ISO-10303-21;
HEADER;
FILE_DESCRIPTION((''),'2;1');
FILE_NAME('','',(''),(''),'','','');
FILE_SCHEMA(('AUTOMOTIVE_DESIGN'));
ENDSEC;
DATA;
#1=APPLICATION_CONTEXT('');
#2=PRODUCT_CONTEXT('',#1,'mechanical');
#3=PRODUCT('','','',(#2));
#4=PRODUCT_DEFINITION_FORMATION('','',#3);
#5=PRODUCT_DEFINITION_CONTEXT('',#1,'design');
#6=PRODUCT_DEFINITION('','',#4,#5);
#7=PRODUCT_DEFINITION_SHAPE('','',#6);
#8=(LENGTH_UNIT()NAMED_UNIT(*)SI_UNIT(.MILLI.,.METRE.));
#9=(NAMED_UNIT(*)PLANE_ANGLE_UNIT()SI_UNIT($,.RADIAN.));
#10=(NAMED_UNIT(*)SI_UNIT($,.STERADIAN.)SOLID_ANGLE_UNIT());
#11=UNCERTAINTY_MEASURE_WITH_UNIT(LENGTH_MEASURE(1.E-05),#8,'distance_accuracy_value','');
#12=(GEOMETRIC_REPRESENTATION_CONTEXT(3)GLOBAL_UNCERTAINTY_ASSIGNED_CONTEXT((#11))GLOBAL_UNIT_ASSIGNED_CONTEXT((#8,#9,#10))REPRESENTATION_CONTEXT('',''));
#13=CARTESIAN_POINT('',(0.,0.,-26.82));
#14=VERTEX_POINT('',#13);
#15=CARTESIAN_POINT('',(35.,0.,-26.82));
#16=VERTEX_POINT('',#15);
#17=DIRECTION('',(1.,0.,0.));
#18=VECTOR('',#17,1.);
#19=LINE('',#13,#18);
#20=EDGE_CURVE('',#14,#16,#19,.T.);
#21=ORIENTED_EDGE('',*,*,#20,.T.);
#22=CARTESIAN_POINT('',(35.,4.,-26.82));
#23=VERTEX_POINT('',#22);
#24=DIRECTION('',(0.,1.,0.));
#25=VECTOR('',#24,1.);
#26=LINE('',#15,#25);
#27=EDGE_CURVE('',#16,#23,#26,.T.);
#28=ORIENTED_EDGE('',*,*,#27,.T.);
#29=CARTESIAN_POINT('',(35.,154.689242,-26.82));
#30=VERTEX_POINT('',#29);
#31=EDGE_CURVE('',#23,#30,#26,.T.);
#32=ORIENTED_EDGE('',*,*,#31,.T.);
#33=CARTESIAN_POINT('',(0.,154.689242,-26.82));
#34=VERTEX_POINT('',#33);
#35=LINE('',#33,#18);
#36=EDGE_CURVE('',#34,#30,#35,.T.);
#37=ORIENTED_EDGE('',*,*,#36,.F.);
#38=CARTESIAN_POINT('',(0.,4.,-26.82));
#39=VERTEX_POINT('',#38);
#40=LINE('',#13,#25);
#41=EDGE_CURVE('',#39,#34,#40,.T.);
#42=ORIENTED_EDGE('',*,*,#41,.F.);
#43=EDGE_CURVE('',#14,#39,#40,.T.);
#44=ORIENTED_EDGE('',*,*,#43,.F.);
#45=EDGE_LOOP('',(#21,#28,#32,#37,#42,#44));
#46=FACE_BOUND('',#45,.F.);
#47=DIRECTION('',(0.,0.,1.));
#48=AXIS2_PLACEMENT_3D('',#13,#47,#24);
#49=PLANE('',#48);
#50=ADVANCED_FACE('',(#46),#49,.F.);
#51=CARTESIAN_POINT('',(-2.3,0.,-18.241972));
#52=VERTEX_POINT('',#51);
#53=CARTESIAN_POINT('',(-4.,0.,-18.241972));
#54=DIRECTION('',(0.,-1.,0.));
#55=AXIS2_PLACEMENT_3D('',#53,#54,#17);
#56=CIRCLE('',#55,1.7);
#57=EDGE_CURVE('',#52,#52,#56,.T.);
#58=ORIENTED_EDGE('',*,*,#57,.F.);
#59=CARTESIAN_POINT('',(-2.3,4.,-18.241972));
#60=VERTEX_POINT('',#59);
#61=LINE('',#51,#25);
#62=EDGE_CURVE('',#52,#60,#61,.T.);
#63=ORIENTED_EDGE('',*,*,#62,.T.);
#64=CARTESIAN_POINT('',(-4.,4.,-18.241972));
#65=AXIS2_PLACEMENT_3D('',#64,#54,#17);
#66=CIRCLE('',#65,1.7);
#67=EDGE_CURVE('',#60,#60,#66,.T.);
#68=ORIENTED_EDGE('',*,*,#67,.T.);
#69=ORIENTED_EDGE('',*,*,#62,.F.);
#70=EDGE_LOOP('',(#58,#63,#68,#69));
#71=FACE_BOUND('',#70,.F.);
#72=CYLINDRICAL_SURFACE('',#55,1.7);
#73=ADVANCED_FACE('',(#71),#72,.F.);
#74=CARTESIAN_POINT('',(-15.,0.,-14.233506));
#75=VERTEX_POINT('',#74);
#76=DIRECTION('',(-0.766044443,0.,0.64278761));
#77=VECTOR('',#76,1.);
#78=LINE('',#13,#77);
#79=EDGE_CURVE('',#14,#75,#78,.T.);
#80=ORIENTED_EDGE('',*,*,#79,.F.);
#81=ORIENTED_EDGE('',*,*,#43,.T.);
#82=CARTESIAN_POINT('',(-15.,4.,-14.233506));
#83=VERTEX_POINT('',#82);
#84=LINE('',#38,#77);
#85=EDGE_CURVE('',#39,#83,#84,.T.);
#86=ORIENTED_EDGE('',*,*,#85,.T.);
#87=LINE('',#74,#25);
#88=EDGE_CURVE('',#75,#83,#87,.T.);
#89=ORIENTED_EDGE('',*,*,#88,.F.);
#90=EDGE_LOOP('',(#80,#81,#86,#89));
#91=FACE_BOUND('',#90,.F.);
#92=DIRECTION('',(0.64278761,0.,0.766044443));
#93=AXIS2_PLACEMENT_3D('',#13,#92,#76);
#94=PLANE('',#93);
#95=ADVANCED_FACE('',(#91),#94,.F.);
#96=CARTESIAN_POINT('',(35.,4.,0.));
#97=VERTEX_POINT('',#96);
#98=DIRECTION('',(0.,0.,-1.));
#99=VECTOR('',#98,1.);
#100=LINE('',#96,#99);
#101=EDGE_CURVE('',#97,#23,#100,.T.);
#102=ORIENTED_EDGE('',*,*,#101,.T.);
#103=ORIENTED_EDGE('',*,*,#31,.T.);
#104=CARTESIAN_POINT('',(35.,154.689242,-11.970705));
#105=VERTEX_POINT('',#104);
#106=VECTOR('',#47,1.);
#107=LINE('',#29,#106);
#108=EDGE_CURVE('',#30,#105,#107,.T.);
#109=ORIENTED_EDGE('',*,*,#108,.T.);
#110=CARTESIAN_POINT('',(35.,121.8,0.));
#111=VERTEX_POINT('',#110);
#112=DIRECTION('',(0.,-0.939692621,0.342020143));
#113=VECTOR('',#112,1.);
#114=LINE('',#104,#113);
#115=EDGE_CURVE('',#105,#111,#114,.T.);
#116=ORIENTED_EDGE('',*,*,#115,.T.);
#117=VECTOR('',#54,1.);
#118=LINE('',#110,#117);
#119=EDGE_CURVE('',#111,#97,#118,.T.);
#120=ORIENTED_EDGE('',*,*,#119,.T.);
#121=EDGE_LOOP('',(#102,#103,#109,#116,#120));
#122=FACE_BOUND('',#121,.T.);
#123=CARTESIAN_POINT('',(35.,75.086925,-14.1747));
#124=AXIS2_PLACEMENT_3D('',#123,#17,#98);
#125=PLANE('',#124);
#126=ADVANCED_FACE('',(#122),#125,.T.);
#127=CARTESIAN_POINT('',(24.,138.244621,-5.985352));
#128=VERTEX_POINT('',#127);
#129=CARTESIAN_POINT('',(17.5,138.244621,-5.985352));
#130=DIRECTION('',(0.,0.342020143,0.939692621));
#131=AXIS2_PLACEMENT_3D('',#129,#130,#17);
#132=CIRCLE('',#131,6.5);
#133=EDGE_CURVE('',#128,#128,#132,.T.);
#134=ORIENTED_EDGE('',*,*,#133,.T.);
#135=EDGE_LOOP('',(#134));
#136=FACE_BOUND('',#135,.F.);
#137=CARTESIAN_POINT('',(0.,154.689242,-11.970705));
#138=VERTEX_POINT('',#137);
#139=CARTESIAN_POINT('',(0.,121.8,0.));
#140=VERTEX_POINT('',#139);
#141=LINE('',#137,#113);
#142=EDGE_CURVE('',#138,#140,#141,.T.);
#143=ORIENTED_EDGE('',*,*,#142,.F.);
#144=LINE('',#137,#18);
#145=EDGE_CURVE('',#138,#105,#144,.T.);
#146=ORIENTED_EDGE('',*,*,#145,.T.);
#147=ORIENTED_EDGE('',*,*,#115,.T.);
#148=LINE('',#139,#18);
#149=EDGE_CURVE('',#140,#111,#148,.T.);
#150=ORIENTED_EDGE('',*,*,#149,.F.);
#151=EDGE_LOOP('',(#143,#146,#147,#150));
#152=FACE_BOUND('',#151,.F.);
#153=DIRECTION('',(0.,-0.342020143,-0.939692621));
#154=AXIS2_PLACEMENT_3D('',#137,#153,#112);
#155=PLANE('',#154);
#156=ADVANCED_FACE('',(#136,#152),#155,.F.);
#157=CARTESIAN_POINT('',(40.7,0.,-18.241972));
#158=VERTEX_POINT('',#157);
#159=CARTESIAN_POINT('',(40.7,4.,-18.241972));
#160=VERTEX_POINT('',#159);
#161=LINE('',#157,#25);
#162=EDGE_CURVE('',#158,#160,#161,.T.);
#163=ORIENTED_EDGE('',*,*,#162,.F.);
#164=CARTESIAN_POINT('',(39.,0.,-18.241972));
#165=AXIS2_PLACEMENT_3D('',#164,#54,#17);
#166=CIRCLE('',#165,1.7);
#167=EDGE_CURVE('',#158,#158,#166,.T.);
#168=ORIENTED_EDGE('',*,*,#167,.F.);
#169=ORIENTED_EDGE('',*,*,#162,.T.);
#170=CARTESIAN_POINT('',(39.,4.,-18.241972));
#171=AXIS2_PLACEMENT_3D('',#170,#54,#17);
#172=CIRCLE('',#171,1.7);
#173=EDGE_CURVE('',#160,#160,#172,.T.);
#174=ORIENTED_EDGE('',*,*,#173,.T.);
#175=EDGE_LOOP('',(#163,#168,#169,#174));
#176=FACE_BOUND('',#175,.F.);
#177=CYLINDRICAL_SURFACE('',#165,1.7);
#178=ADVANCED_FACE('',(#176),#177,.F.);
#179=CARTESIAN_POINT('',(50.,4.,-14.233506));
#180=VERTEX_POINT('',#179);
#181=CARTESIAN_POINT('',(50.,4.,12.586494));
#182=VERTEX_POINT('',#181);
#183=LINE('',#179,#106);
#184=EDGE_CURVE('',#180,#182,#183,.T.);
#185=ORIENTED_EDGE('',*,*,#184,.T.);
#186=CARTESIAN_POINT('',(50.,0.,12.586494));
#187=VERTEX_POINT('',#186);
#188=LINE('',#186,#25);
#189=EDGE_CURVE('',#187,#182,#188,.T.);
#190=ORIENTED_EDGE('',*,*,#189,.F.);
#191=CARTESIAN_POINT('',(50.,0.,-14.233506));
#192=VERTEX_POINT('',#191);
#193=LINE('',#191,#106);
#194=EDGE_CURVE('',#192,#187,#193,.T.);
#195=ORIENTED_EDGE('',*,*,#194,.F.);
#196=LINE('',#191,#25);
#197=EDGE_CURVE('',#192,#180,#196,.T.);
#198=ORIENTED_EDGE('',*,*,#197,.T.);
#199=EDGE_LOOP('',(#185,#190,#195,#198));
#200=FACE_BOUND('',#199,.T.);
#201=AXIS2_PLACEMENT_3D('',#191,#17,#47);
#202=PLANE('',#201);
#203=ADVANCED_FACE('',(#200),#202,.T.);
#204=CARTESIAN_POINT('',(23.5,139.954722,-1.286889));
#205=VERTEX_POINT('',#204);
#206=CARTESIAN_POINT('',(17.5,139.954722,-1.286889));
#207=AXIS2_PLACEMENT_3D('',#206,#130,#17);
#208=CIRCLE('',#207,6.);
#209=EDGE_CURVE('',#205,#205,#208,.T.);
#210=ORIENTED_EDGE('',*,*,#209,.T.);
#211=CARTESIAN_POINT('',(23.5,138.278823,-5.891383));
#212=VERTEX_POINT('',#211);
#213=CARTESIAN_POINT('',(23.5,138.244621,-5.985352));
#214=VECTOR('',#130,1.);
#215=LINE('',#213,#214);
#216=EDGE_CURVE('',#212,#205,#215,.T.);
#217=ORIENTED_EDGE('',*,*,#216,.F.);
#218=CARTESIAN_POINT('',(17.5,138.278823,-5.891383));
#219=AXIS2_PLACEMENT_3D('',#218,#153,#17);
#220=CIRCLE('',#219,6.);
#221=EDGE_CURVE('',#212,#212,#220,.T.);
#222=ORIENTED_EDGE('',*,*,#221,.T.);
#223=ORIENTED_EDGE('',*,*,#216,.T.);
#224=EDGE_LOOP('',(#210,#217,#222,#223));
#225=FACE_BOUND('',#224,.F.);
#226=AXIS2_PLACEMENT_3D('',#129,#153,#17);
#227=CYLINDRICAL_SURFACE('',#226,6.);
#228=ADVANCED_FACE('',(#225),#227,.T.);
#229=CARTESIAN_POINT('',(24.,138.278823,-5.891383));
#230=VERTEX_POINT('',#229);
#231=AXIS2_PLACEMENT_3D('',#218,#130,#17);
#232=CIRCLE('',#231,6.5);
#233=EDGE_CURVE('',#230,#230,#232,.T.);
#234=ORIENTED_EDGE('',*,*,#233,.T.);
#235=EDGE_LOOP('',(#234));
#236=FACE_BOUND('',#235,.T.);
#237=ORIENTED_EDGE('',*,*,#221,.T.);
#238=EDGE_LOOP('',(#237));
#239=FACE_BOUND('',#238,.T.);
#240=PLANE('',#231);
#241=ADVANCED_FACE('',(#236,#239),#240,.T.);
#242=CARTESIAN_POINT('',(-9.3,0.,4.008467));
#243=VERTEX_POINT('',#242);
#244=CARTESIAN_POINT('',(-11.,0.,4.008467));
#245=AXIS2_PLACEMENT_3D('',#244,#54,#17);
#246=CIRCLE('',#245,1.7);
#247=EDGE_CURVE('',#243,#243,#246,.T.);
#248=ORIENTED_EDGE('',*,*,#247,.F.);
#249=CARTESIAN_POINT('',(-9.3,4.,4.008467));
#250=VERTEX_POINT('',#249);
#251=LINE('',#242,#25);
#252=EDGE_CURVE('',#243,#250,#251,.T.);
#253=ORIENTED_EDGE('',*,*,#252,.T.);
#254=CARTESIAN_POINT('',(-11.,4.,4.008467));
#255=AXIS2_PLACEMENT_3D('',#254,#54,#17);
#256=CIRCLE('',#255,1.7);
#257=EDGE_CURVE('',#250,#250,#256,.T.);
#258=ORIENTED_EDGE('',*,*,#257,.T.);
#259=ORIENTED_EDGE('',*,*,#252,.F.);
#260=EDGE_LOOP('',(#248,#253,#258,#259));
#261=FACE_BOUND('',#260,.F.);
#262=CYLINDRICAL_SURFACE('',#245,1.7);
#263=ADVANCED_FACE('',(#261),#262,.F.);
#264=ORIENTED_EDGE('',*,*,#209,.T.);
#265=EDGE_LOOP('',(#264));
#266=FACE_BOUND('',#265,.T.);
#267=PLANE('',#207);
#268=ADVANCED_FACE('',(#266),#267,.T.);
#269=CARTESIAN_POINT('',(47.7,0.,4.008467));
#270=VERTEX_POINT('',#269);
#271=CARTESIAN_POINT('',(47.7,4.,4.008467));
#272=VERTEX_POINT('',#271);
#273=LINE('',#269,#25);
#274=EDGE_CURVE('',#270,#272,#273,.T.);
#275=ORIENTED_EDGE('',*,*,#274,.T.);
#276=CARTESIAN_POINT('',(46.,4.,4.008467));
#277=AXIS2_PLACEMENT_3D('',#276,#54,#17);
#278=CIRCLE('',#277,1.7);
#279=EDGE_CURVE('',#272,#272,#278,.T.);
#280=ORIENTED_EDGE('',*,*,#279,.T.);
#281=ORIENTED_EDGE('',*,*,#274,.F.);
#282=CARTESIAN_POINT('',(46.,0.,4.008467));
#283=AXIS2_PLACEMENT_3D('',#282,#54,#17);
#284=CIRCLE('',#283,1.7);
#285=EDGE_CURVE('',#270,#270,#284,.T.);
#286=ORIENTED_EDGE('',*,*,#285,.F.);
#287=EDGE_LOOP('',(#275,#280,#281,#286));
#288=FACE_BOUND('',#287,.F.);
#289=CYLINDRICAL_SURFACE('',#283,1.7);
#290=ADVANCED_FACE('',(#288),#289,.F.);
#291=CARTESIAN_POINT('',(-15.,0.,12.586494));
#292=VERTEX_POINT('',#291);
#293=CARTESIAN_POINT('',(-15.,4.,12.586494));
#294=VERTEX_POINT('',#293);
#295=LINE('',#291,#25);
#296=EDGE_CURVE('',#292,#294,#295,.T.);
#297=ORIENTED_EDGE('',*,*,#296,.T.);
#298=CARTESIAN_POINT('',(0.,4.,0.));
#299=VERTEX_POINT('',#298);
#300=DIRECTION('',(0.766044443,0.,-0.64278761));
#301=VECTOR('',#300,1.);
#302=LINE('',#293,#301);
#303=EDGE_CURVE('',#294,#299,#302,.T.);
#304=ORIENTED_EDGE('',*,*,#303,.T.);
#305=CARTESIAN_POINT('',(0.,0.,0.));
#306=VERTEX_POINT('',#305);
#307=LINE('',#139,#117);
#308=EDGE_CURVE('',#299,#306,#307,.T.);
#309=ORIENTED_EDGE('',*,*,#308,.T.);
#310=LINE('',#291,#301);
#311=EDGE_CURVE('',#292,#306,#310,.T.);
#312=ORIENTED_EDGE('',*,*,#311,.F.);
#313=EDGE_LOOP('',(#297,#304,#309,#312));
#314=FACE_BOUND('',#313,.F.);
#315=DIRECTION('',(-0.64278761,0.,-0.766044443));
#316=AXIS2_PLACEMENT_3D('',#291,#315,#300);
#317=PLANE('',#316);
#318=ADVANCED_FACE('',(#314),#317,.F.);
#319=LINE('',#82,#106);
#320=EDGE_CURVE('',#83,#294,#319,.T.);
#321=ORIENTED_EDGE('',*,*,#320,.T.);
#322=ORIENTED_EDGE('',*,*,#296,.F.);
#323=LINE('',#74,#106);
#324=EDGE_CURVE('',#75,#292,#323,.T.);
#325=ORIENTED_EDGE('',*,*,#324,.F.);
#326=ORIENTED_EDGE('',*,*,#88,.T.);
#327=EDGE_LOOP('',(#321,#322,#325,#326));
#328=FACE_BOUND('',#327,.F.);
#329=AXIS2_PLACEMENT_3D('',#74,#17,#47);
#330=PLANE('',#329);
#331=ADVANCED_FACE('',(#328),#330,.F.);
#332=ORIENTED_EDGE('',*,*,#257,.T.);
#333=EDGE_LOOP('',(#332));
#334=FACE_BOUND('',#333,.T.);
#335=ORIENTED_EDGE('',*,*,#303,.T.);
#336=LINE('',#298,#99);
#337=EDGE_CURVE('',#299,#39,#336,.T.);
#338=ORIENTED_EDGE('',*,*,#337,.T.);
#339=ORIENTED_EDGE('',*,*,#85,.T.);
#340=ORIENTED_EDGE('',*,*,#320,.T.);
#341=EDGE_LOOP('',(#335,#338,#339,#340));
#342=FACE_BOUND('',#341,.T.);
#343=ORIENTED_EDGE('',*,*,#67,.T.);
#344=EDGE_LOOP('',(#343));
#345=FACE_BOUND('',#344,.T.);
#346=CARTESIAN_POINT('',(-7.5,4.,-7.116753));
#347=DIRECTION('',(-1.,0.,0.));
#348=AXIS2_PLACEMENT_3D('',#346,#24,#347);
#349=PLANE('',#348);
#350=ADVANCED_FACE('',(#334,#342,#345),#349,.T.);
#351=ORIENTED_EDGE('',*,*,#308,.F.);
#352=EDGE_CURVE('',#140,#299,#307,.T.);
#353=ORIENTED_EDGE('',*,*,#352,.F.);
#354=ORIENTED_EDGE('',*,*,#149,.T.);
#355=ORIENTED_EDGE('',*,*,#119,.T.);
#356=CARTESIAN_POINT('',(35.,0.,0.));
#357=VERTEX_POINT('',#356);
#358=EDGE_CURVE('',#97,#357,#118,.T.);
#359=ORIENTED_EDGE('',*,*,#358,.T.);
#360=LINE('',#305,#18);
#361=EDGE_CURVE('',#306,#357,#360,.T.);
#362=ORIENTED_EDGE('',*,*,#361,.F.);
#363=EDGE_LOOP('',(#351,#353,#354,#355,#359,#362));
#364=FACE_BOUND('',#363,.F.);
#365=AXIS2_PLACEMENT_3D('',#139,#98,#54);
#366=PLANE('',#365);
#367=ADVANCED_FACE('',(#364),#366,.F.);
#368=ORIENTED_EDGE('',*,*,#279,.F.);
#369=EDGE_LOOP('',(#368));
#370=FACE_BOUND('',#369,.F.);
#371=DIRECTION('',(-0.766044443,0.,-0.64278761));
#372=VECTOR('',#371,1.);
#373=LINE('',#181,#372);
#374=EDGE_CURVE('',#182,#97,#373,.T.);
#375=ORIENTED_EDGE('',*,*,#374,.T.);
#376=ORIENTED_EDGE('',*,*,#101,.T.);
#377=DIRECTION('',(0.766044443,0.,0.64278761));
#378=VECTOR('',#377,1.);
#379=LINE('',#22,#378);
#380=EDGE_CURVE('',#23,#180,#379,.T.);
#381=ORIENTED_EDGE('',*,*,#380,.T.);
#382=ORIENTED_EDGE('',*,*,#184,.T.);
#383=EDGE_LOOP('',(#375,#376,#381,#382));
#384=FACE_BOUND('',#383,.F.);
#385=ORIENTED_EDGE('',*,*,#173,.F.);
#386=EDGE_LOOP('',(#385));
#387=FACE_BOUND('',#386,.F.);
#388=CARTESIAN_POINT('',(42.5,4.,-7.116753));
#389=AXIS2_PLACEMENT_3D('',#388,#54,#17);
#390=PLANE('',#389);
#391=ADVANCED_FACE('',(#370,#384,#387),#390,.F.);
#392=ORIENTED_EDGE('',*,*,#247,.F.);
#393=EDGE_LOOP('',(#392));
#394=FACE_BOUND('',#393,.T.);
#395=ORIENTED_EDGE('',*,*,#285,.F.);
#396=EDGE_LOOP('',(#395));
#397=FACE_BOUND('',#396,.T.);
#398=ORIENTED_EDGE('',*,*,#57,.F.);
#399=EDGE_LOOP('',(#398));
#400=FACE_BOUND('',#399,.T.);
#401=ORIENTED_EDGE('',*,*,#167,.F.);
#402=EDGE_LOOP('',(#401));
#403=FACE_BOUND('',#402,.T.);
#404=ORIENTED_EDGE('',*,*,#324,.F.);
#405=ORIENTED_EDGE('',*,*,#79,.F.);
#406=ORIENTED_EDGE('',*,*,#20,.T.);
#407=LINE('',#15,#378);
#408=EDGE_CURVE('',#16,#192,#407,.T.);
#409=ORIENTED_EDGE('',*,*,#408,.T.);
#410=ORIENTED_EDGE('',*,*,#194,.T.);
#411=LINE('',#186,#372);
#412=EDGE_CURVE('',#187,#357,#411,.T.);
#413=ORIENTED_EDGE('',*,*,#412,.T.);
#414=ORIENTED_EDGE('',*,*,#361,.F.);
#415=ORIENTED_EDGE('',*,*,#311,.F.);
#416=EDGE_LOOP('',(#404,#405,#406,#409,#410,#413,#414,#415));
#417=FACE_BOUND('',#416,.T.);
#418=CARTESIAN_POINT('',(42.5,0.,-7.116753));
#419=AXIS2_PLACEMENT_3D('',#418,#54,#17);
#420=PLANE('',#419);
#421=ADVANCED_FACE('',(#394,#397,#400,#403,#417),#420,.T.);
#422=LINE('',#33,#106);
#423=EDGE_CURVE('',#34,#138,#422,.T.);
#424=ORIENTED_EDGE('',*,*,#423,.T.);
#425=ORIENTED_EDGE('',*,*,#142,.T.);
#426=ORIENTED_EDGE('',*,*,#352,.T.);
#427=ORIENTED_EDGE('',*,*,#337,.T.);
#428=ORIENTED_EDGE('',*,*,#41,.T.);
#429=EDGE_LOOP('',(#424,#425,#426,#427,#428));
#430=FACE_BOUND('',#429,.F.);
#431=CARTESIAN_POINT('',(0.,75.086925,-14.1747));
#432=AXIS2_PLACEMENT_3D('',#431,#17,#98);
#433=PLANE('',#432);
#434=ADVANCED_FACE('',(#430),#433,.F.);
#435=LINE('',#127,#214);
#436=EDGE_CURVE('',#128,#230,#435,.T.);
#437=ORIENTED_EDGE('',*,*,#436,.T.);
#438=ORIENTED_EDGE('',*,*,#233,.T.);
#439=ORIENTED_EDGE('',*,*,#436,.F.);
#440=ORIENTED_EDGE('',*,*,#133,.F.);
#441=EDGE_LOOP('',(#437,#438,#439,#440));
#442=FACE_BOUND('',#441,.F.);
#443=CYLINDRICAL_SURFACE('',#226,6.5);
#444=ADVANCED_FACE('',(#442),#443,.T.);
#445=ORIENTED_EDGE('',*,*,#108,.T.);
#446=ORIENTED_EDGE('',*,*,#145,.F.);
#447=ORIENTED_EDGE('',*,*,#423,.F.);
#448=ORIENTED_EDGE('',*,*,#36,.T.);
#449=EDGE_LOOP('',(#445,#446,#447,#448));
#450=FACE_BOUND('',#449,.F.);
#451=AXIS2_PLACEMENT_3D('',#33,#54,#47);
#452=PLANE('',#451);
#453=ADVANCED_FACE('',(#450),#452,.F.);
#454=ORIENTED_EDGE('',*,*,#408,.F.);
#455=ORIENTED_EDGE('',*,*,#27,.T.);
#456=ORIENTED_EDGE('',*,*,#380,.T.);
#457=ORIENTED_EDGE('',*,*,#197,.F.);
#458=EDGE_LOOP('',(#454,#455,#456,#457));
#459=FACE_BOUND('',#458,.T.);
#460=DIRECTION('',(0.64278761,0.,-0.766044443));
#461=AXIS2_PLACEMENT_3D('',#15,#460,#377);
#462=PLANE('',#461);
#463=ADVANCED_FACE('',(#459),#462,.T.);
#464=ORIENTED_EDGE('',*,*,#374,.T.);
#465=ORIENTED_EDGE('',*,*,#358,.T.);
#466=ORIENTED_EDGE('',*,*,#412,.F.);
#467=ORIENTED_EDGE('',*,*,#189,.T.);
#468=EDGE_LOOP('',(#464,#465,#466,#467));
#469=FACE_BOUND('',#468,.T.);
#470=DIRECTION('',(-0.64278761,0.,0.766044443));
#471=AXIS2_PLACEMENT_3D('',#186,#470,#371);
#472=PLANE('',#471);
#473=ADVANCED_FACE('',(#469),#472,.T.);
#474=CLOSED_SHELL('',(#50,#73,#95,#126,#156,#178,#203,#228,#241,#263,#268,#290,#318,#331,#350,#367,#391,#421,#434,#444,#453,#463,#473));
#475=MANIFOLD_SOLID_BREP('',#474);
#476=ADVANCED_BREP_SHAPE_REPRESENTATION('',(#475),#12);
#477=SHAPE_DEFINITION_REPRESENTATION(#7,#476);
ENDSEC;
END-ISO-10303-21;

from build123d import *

# Parameters (mm, degrees)
AUFSATZ_LINEAR_AUSTRAGEN1_DEPTH = 35
SKIZZE3_R                       = 6
AUFSATZ_LINEAR_AUSTRAGEN2_DEPTH = 5
SKIZZE4_R                       = 6.5
AUFSATZ_LINEAR_AUSTRAGEN3_DEPTH = 0.1
SKIZZE9_R                       = 1.7
AUFSATZ_LINEAR_AUSTRAGEN4_DEPTH = 4


with BuildPart() as part:
    # Skizze1 → Aufsatz-Linear austragen1 (new body)
    with BuildSketch(Plane(origin=(0, 0, 0), x_dir=(0, 0, -1), z_dir=(1, 0, 0))):
        Polygon((0, 0), (11.970705016, 0), (26.82, 0), (26.82, 154.689241728), (11.970705016, 154.689241728), (0, 121.8), align=None)
    extrude(amount=AUFSATZ_LINEAR_AUSTRAGEN1_DEPTH)

    # Skizze3 → Aufsatz-Linear austragen2 (add)
    with BuildSketch(Plane(origin=(0, 14.247893414, 39.14576543), x_dir=(1, 0, 0), z_dir=(0, 0.342020143, 0.939692621))):
        with Locations((17.5, 131.954561212)):
            Circle(SKIZZE3_R)
    extrude(amount=AUFSATZ_LINEAR_AUSTRAGEN2_DEPTH)

    # Skizze4 → Aufsatz-Linear austragen3 (add)
    with BuildSketch(Plane(origin=(0, 14.247893414, 39.14576543), x_dir=(1, 0, 0), z_dir=(0, 0.342020143, 0.939692621))):
        with Locations((17.5, 131.954561212)):
            Circle(SKIZZE4_R)
    extrude(amount=AUFSATZ_LINEAR_AUSTRAGEN3_DEPTH)

    # Skizze9 → Aufsatz-Linear austragen4 (add)
    with BuildSketch(Plane.XZ):
        Polygon((35, -26.82), (50, -14.233505532), (50, 12.586494468), (35, 0), align=None)
        with Locations((46, 4.008466786)):
            Circle(SKIZZE9_R, mode=Mode.SUBTRACT)
        with Locations((39, -18.241972318)):
            Circle(SKIZZE9_R, mode=Mode.SUBTRACT)
        Polygon((0, 0), (0, -26.82), (-15, -14.233505532), (-15, 12.586494468), align=None)
        with Locations((-4, -18.241972318)):
            Circle(SKIZZE9_R, mode=Mode.SUBTRACT)
        with Locations((-11, 4.008466786)):
            Circle(SKIZZE9_R, mode=Mode.SUBTRACT)
    extrude(amount=-AUFSATZ_LINEAR_AUSTRAGEN4_DEPTH)


solid = part.part
